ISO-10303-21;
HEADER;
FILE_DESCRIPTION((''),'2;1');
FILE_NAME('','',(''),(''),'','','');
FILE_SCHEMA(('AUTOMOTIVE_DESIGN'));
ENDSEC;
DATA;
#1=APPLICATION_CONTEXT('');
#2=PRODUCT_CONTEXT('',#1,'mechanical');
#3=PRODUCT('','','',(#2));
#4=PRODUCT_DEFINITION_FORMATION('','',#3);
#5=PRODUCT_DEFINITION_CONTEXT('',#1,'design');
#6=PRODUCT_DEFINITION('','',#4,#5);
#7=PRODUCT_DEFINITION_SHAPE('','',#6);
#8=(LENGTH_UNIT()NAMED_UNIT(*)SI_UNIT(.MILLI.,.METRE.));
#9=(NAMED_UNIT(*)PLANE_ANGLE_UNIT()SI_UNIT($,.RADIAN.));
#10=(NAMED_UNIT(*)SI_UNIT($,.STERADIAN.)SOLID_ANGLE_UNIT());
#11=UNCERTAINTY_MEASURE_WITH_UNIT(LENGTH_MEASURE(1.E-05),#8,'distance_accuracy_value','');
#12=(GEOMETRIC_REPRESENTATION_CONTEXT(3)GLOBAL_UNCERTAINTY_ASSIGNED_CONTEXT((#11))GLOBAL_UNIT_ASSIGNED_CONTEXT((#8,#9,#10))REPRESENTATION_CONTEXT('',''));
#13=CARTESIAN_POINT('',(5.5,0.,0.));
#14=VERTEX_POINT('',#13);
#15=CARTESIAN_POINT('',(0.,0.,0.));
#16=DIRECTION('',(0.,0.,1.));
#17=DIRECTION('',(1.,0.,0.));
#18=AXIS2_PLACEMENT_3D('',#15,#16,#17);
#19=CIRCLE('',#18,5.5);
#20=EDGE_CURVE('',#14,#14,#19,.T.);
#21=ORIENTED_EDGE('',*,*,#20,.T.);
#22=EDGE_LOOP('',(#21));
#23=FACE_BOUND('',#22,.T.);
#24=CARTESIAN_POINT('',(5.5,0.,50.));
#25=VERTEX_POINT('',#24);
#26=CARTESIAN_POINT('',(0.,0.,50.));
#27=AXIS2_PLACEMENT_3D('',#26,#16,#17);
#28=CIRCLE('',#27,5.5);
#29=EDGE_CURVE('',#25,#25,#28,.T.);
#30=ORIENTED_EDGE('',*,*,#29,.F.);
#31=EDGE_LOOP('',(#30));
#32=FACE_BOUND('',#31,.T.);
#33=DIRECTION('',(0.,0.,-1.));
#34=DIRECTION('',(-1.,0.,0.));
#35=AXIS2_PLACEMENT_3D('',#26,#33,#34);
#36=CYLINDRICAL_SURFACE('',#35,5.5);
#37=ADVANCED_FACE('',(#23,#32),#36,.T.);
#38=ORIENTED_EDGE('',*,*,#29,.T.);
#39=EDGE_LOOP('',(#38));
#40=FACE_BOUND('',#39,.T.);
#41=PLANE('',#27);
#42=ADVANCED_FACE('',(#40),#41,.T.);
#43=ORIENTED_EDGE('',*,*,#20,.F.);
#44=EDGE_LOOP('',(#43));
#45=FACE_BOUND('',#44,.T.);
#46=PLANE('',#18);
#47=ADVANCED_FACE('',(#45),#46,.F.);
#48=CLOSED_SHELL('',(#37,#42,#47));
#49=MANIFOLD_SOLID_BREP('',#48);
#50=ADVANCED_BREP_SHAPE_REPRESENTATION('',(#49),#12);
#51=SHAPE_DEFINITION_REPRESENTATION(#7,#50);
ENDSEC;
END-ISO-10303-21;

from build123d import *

# Parameters (mm, degrees)
SZKIC1_R                    = 5.5
DODANIE_WYCI_GNI_CIE1_DEPTH = 50


with BuildPart() as part:
    # Szkic1 → Dodanie-wyciągnięcie1 (new body)
    with BuildSketch(Plane.XY):
        Circle(SZKIC1_R)
    extrude(amount=DODANIE_WYCI_GNI_CIE1_DEPTH)


solid = part.part
